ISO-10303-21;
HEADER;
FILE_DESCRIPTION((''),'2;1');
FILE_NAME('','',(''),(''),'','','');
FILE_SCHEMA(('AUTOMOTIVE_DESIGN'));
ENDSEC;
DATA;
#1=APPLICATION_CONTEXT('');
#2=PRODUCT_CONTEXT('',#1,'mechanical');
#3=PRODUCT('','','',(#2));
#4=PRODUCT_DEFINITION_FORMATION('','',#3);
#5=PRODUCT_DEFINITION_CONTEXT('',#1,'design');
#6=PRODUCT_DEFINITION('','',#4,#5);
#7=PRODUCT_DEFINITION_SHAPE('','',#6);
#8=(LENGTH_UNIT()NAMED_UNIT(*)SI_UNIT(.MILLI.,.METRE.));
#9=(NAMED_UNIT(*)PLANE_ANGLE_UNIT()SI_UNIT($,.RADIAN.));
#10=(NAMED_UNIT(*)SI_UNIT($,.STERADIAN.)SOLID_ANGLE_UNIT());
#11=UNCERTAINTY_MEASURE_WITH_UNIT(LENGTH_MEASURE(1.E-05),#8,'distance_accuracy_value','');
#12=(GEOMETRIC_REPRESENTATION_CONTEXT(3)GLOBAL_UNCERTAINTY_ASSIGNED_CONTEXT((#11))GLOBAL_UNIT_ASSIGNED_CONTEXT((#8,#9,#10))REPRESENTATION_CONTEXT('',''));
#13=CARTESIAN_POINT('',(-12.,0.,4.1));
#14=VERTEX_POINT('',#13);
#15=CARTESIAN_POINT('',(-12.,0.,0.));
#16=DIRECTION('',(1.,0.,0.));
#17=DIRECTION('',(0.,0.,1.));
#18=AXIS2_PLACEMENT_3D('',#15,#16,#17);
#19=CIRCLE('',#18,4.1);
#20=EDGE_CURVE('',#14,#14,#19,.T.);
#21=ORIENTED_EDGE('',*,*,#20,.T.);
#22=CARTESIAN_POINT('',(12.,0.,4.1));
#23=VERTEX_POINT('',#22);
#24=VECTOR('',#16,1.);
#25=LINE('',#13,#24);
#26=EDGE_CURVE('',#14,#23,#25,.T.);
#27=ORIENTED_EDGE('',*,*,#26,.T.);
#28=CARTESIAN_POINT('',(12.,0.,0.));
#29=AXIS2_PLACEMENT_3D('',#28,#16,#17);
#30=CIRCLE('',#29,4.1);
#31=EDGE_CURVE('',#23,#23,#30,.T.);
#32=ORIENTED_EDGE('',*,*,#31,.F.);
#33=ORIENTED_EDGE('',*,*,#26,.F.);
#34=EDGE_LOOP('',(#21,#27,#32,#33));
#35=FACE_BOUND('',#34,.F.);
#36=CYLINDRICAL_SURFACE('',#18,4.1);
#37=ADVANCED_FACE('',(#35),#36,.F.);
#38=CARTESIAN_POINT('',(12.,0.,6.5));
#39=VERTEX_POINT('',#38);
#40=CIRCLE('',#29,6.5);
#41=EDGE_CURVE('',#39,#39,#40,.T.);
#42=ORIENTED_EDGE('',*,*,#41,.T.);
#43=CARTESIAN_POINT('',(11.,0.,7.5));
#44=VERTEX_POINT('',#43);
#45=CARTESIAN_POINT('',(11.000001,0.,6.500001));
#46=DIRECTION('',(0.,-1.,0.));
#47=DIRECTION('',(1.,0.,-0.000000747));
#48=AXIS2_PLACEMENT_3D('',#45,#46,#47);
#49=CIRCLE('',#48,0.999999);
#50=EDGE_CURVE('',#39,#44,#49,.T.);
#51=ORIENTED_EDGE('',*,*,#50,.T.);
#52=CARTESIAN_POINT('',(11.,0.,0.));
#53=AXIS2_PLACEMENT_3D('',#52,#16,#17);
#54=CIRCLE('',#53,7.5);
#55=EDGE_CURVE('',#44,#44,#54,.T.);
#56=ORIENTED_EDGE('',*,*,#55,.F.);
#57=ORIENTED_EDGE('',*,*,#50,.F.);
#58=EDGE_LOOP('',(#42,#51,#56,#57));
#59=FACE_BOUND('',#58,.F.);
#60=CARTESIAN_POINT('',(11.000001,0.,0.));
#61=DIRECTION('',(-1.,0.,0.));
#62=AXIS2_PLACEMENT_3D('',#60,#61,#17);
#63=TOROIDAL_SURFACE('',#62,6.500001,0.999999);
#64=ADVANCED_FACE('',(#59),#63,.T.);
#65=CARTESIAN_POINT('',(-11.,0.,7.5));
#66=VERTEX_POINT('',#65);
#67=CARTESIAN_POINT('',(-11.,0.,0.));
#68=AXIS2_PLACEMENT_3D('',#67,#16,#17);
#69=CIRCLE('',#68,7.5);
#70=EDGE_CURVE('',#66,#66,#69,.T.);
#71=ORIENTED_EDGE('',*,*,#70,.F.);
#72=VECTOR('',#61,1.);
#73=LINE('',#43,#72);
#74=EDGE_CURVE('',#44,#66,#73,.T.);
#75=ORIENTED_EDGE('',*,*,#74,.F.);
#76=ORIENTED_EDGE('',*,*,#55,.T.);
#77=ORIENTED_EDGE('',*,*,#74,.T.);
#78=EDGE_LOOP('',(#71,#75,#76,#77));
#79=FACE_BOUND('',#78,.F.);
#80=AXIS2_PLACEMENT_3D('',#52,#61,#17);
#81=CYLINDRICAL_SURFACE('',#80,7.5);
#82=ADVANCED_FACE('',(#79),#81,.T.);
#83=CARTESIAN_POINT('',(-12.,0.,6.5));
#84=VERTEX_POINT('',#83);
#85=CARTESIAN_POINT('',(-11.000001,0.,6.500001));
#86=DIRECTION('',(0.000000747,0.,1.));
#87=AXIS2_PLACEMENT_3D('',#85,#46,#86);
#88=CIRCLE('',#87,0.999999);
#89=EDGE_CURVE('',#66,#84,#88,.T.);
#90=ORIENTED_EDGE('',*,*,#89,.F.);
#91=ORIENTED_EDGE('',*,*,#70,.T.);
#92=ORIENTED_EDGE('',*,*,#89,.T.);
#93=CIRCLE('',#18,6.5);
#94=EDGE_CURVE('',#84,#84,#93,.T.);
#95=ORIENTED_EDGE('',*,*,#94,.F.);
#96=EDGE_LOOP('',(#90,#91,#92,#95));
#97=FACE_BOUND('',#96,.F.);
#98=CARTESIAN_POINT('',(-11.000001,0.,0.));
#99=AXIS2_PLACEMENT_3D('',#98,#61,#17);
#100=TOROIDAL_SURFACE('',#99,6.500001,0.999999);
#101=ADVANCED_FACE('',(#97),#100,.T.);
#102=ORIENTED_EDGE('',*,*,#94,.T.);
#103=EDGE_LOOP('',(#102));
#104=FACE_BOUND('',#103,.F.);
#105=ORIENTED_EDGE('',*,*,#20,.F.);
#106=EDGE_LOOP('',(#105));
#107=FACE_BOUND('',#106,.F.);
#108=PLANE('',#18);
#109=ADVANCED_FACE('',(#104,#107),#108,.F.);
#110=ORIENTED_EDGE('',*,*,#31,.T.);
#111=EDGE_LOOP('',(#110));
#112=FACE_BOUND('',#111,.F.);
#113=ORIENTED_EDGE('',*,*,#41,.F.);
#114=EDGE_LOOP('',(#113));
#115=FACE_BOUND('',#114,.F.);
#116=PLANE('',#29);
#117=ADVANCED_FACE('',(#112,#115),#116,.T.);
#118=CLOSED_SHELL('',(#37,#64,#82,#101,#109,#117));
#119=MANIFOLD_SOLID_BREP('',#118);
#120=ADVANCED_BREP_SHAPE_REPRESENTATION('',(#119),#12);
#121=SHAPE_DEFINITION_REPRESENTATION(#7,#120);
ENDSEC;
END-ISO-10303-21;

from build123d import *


with BuildPart() as f1:
    # F0 (on Front) → F1 (revolve)
    with BuildSketch(Plane.XZ):
        with BuildLine():
            Line((11, 7.5), (-11, 7.5))
            ThreePointArc((-11, 7.5), (-11.707107, 7.207107), (-12, 6.5))
            Line((-12, 6.5), (-12, 4.1))
            Line((-12, 4.1), (12, 4.1))
            Line((12, 4.1), (12, 6.5))
            ThreePointArc((12, 6.5), (11.707107, 7.207107), (11, 7.5))
        make_face()
    revolve(axis=Axis((0, 0, 0), (1, 0, 0)))


solid = f1.part
